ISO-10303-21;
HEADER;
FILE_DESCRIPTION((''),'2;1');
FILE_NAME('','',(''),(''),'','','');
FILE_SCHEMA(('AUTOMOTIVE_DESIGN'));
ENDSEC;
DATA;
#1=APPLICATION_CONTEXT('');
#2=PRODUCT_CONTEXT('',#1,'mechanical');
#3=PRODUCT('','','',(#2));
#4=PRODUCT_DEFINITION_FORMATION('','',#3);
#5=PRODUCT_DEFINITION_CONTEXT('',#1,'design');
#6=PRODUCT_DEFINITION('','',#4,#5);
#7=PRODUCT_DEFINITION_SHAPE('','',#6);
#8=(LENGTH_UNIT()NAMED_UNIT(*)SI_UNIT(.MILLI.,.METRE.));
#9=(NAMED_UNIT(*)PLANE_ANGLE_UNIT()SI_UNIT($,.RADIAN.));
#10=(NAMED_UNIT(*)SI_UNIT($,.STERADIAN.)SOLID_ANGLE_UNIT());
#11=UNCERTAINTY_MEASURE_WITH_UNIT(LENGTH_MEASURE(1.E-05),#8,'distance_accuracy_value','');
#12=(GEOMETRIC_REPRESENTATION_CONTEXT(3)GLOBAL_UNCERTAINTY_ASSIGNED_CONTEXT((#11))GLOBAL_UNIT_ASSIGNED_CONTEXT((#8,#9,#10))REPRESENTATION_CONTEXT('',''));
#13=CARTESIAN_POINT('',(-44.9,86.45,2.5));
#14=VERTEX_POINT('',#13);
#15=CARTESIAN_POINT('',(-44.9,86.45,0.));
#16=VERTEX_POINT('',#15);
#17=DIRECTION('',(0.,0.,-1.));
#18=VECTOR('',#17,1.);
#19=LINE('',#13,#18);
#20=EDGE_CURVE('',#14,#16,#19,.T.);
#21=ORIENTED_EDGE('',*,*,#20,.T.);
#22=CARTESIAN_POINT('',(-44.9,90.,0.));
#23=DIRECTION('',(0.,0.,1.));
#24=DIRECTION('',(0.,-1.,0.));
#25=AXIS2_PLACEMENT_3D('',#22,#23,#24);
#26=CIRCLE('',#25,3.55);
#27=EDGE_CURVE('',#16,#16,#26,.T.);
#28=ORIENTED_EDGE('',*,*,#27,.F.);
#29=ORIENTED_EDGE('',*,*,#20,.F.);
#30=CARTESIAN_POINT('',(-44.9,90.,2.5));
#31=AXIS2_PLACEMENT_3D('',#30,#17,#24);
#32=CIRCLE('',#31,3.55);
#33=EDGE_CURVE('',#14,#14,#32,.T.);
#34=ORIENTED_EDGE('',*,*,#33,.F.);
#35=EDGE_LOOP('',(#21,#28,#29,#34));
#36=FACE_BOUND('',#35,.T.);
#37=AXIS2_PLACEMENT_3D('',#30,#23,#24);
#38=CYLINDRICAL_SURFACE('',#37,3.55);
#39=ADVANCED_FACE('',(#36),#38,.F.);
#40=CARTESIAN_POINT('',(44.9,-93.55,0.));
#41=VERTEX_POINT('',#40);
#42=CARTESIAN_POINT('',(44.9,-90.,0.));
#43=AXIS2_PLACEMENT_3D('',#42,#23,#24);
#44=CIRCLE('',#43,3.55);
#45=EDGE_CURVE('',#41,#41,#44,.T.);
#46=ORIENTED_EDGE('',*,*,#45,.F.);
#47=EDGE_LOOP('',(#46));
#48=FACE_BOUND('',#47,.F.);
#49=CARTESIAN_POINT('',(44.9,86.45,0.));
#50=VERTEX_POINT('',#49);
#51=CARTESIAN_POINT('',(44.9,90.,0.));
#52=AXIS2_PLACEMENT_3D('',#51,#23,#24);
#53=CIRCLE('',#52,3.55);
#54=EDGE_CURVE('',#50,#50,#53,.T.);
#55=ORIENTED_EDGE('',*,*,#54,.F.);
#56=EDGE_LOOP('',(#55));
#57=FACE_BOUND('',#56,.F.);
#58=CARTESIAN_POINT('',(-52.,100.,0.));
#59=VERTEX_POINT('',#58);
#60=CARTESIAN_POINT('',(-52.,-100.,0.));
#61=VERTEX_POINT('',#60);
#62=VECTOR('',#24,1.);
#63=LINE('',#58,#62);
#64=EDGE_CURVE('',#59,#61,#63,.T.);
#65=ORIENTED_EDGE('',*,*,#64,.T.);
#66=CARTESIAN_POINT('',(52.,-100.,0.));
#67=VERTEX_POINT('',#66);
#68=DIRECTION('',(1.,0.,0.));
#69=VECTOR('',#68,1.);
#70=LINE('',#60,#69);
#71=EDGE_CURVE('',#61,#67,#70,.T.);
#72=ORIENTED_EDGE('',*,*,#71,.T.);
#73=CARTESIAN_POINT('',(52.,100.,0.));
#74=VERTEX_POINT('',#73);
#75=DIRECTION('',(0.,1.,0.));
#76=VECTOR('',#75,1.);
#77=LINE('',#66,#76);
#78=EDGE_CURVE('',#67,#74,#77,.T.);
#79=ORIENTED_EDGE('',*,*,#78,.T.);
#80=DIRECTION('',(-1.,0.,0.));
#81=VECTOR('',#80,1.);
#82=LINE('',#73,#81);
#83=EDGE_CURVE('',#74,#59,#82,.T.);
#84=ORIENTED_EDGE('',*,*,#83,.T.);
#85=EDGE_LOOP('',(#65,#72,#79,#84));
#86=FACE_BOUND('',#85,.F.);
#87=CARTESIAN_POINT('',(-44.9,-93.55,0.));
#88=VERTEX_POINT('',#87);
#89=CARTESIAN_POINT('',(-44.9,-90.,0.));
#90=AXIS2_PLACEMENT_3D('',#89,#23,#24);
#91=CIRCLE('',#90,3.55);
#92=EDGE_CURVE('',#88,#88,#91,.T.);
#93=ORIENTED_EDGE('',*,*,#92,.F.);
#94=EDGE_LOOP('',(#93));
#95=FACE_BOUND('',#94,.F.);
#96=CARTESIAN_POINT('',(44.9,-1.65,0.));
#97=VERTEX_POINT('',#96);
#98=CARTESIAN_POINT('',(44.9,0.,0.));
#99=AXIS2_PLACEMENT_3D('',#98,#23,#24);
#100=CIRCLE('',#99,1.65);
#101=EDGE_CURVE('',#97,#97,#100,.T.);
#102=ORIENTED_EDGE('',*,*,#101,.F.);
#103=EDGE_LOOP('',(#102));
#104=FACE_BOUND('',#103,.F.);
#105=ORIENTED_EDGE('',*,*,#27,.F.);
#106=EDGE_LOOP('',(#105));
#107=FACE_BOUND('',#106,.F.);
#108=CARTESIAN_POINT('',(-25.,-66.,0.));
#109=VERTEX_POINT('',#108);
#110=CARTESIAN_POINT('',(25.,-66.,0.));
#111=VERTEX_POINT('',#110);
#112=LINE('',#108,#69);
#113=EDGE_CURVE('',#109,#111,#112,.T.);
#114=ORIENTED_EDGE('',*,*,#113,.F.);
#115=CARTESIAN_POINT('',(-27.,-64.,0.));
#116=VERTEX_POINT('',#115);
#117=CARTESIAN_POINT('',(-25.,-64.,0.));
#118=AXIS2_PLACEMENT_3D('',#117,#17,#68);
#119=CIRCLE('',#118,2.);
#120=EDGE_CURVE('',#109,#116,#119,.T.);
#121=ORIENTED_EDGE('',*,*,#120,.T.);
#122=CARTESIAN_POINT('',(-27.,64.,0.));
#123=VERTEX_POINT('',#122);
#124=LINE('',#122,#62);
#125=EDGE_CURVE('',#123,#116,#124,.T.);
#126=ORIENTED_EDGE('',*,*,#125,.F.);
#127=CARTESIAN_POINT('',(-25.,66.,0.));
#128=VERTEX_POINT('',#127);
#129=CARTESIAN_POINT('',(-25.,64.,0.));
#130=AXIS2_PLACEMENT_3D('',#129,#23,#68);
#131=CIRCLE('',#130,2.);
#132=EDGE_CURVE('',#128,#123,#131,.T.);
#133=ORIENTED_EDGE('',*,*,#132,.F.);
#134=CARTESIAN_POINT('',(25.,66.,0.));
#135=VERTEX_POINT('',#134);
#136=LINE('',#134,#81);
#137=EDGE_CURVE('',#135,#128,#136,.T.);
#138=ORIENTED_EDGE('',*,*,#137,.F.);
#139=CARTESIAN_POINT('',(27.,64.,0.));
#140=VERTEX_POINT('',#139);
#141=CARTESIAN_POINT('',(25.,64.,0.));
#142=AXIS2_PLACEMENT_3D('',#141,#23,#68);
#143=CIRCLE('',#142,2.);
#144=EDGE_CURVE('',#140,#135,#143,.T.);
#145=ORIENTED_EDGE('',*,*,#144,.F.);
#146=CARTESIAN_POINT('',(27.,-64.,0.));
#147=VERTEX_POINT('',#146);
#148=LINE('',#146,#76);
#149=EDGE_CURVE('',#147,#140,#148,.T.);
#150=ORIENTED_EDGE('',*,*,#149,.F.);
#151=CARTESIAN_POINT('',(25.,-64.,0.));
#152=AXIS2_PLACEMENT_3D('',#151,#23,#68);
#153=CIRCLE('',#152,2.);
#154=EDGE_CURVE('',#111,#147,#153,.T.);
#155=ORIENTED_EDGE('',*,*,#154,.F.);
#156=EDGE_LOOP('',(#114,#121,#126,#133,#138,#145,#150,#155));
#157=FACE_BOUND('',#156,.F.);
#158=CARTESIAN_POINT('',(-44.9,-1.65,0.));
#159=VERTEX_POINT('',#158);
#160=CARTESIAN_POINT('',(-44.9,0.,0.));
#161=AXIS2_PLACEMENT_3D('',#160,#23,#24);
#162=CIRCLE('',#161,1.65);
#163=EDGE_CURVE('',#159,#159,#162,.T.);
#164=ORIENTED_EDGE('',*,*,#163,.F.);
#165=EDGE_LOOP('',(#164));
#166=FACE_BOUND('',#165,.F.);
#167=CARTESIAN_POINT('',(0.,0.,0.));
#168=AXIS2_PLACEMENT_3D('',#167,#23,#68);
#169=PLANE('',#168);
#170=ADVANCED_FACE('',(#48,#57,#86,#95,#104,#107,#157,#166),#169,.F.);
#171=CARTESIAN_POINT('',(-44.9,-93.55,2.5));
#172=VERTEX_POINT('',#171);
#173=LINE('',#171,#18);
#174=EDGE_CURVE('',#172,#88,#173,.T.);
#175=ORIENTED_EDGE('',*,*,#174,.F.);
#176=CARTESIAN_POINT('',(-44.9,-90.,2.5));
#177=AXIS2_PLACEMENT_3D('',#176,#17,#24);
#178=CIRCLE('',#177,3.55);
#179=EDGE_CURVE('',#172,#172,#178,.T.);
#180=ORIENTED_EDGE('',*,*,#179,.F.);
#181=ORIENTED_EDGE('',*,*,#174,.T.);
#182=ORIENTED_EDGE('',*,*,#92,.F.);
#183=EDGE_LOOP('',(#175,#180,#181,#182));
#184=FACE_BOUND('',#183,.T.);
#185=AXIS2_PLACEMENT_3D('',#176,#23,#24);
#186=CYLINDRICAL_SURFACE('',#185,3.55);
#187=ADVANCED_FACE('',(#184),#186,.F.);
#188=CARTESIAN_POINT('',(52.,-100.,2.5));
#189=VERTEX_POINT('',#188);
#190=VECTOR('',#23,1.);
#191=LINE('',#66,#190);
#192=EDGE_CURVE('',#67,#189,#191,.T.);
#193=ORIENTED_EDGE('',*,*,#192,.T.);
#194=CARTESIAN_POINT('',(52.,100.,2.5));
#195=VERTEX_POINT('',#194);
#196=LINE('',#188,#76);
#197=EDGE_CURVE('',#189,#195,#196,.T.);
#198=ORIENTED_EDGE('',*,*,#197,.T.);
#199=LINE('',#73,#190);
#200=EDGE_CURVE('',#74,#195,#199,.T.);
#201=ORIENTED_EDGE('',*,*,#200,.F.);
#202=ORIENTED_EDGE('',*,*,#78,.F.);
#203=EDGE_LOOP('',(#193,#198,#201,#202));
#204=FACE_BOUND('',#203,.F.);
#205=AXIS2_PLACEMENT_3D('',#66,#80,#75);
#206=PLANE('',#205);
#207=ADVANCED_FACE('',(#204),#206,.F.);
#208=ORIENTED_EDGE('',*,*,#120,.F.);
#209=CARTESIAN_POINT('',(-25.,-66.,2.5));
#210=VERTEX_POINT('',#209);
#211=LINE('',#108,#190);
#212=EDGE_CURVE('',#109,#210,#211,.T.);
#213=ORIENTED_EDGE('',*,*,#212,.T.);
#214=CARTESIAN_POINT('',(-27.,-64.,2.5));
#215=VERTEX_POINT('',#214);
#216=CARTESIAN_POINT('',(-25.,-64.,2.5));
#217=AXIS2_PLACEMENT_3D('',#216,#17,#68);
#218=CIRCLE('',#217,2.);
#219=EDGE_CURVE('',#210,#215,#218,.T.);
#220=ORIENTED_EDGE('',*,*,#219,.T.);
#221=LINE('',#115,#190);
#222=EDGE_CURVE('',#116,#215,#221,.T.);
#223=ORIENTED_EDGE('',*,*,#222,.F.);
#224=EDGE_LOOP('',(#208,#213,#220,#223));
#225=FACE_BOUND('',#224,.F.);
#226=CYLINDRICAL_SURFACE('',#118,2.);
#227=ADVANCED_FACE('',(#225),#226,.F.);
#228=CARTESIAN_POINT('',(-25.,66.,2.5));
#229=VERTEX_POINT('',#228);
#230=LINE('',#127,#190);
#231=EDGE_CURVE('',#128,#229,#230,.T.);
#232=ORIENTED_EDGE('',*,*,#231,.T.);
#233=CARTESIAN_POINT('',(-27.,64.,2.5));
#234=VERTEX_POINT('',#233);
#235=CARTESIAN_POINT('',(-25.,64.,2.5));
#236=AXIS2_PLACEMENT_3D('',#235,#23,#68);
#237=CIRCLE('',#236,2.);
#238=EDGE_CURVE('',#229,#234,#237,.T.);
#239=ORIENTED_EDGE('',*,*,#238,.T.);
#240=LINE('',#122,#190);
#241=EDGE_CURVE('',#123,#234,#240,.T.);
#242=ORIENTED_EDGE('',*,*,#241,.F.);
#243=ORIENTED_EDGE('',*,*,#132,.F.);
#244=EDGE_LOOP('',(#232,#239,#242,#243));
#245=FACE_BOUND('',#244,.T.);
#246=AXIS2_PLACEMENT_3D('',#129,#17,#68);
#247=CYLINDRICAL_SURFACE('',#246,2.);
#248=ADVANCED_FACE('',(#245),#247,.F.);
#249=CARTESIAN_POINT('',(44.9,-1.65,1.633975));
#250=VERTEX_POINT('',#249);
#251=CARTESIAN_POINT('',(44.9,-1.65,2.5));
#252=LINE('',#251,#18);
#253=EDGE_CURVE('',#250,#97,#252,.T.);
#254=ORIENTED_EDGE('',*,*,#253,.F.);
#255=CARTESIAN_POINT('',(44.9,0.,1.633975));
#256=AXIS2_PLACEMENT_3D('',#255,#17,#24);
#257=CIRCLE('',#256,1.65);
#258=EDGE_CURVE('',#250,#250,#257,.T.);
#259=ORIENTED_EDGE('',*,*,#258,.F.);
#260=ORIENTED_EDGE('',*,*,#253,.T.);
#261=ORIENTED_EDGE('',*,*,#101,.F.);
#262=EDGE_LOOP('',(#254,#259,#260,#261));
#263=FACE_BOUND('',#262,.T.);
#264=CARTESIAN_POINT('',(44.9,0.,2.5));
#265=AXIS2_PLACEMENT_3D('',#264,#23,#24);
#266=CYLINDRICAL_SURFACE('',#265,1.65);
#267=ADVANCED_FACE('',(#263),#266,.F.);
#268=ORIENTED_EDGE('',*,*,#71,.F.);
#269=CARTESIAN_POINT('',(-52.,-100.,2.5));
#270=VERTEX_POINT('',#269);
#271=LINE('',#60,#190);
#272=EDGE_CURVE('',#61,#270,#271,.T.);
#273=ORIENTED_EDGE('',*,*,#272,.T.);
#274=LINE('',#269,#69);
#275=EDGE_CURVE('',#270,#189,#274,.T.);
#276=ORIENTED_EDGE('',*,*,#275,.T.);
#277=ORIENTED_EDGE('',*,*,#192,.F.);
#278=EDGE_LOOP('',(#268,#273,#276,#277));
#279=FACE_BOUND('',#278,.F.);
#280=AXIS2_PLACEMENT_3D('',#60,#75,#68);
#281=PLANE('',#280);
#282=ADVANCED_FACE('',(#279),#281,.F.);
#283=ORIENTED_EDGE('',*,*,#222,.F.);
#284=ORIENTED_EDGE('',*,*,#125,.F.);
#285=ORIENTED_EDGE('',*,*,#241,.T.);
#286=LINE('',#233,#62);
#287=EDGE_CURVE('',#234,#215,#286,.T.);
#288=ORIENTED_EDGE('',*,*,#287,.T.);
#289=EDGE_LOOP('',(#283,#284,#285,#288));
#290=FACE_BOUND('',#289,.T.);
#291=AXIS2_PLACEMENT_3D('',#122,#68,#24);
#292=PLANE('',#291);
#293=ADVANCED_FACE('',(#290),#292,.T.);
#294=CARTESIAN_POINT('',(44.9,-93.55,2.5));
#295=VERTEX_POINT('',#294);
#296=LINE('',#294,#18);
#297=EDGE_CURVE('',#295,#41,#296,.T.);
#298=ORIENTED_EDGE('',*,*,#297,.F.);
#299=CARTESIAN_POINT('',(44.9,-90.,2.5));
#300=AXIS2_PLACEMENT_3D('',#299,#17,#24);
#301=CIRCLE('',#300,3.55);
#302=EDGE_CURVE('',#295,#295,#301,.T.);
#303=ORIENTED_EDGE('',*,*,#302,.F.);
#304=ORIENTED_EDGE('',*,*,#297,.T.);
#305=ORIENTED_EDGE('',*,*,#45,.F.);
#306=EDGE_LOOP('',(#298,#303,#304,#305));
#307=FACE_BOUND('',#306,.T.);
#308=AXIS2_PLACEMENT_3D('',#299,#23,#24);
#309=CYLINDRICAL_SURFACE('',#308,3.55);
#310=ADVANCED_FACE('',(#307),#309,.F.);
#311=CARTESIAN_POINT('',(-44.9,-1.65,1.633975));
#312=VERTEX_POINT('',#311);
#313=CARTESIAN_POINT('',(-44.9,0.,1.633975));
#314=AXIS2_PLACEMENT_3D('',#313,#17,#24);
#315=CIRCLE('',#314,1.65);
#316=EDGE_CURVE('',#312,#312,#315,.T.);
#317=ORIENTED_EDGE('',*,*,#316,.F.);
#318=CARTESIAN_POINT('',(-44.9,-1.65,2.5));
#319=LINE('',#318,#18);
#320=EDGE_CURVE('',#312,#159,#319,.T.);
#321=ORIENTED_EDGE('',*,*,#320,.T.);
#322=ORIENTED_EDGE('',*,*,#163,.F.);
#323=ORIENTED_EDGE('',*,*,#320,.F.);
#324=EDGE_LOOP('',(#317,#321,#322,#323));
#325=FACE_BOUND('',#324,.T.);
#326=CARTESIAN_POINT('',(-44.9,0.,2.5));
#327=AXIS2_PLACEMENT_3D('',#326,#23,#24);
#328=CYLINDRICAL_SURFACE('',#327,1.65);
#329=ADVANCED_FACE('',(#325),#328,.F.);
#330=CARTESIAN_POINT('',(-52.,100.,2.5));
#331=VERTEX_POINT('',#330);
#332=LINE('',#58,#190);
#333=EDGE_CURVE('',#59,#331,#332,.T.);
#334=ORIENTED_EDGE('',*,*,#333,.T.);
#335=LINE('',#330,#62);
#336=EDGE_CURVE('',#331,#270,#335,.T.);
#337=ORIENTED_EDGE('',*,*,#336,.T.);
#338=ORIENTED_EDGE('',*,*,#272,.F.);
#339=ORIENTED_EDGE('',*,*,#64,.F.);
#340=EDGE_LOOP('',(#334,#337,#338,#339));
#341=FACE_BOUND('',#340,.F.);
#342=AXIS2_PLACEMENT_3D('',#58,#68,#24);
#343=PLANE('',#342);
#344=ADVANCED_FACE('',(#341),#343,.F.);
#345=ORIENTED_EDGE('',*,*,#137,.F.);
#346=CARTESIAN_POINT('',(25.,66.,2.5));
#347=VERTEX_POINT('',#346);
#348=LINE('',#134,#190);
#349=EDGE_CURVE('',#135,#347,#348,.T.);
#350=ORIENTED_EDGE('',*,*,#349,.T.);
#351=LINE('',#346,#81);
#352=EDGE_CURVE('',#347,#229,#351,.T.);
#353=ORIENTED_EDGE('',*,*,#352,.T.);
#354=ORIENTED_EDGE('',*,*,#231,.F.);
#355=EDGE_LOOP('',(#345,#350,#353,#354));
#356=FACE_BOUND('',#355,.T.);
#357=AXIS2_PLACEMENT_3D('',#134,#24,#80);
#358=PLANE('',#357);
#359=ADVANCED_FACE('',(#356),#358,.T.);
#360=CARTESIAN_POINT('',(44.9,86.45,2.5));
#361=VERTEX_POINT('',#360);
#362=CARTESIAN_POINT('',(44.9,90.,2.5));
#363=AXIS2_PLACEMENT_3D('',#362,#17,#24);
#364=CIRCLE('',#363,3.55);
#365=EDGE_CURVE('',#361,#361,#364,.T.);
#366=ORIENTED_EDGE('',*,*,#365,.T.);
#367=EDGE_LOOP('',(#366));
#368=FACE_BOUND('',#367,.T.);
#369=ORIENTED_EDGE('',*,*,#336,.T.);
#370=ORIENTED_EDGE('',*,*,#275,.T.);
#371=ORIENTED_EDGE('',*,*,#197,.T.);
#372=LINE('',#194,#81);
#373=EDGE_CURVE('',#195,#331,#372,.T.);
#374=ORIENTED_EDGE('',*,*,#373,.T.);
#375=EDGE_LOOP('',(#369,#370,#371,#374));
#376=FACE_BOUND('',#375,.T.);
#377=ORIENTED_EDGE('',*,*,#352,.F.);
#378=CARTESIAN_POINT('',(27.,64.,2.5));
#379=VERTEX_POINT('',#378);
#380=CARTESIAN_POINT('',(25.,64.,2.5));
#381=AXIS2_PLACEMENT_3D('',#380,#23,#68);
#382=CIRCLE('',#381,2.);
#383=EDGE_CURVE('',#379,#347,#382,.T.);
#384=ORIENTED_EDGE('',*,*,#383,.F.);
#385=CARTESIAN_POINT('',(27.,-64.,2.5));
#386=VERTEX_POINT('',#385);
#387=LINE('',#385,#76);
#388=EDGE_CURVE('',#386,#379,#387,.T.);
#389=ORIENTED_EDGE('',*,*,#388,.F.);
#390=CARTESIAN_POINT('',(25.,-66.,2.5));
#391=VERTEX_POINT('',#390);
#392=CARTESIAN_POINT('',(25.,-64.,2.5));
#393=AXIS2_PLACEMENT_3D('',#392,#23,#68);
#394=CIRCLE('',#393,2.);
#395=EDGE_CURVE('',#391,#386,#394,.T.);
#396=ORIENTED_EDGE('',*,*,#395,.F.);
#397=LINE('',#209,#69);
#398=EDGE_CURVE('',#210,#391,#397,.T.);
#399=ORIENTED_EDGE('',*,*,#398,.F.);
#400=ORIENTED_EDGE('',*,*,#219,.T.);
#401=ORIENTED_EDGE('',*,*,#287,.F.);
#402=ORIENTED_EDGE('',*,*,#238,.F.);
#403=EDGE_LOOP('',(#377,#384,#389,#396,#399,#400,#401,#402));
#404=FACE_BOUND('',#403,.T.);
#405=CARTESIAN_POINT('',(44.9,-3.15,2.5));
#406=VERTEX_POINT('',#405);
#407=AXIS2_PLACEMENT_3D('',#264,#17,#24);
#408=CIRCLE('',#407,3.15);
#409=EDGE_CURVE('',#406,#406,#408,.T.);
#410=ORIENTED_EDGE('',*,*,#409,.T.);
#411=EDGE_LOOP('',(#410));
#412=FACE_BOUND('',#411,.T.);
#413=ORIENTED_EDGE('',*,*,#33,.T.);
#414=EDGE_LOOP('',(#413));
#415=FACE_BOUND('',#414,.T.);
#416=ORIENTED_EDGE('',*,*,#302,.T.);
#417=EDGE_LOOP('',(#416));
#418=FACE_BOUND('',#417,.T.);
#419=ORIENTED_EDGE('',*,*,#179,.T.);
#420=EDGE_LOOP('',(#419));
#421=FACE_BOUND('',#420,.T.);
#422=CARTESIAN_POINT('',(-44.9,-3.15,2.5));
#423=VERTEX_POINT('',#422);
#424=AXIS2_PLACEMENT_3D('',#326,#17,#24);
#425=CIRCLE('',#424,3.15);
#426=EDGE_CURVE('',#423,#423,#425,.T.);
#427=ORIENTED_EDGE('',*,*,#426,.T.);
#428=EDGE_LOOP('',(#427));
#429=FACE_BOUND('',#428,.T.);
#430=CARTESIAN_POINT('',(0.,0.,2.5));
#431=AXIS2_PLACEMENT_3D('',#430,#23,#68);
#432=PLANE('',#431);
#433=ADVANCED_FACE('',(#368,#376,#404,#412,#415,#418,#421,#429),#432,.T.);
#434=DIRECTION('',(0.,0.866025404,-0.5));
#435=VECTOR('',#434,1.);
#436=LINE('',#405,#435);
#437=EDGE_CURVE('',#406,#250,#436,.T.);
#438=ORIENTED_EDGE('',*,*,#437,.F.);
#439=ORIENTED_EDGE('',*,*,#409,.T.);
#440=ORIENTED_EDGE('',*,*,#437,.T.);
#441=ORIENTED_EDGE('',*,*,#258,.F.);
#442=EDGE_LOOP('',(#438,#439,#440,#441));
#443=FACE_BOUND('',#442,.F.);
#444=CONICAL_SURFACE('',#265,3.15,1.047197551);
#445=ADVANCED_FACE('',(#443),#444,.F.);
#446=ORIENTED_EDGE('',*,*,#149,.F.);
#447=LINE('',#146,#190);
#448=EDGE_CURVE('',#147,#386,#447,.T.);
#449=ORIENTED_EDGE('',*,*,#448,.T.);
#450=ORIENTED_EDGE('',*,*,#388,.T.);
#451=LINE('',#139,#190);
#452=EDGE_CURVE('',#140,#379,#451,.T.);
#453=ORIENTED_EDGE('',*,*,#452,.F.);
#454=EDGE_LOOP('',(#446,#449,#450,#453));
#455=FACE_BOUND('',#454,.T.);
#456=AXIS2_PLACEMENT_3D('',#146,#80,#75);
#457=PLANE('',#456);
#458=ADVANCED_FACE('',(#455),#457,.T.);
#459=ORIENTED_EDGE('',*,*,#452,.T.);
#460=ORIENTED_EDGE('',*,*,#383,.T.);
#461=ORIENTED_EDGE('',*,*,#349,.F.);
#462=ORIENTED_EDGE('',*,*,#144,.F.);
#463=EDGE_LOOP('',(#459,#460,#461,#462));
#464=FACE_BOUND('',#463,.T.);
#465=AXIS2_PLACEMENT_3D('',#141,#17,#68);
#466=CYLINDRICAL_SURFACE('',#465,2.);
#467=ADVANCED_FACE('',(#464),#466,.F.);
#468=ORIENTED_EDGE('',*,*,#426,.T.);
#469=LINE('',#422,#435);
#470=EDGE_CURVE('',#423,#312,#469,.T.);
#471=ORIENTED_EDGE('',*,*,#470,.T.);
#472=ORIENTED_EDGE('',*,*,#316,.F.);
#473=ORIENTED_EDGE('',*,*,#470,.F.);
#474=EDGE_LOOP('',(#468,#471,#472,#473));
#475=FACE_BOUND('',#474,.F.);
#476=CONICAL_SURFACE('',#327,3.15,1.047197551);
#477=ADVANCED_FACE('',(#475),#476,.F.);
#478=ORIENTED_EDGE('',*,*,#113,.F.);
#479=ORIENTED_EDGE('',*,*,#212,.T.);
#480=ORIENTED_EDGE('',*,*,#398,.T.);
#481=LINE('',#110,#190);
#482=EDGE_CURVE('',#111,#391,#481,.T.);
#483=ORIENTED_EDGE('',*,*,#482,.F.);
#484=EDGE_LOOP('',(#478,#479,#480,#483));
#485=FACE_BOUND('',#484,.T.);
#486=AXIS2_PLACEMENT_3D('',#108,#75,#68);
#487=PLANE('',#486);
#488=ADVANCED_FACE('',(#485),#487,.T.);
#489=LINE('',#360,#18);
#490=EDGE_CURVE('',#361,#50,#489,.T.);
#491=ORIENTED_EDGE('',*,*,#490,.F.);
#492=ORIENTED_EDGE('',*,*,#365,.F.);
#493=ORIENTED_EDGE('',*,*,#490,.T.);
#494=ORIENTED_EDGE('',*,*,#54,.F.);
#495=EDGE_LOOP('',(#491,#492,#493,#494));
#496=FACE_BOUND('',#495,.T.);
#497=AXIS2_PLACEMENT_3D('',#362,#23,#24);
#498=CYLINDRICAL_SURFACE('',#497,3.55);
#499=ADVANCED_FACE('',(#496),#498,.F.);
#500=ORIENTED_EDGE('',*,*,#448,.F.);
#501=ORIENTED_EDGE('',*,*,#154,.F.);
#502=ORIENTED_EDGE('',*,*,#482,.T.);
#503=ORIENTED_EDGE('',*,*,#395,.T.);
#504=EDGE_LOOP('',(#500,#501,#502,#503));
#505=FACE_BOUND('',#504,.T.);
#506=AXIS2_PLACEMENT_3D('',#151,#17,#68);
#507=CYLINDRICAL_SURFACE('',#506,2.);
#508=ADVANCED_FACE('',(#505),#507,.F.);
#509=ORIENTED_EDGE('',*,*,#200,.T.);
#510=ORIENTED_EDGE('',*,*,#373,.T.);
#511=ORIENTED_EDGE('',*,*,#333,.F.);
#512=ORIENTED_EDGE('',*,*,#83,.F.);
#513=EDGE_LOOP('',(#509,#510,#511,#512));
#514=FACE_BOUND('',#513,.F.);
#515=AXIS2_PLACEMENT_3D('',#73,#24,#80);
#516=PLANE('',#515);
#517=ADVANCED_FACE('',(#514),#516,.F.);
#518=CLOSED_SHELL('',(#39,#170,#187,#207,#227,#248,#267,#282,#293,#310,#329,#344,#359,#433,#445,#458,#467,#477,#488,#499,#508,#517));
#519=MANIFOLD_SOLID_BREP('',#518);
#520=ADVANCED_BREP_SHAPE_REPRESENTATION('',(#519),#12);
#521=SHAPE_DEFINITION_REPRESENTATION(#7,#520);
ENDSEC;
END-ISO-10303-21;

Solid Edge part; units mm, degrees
sketch "Sketch1" plane through (0, 0, 0) normal (0, 0, 1) x (1, 0, 0)
  line L0 (-52, -100) -> (52, -100)
  line L1 (52, -100) -> (52, 100)
  line L2 (52, 100) -> (-52, 100)
  line L3 (-52, 100) -> (-52, -100)
  line L4 (-25, -66) -> (25, -66)
  arc A0 (25, -66) -> (27, -64) centre (25, -64) ccw
  line L5 (27, -64) -> (27, 64)
  arc A1 (27, 64) -> (25, 66) centre (25, 64) ccw
  line L6 (25, 66) -> (-25, 66)
  arc A2 (-25, 66) -> (-27, 64) centre (-25, 64) ccw
  line L7 (-27, 64) -> (-27, -64)
  arc A3 (-25, -66) -> (-27, -64) centre (-25, -64) cw
extrude "Extrusionsausprägung_1" add sketch "Sketch1" along normal blind 2.5
hole "Bohrung_1" at (-44.9, 90, 2.5) direction (0, 0, -1) diameter 7.1 end up to next
hole "Hole1" at (44.9, 90, 2.5) direction (0, 0, -1) diameter 7.1 end up to next
hole "Hole2" at (44.9, -90, 2.5) direction (0, 0, -1) diameter 7.1 end up to next
hole "Hole3" at (-44.9, -90, 2.5) direction (0, 0, -1) diameter 7.1 end up to next
hole "Bohrung_5" at (44.9, 0, 2.5) direction (0, 0, -1) diameter 3.3 end up to next countersink diameter 6.3 countersink angle 120
hole "Hole4" at (-44.9, 0, 2.5) direction (0, 0, -1) diameter 3.3 end up to next countersink diameter 6.3 countersink angle 120
properties material "Aluminium, 2024-T4"
